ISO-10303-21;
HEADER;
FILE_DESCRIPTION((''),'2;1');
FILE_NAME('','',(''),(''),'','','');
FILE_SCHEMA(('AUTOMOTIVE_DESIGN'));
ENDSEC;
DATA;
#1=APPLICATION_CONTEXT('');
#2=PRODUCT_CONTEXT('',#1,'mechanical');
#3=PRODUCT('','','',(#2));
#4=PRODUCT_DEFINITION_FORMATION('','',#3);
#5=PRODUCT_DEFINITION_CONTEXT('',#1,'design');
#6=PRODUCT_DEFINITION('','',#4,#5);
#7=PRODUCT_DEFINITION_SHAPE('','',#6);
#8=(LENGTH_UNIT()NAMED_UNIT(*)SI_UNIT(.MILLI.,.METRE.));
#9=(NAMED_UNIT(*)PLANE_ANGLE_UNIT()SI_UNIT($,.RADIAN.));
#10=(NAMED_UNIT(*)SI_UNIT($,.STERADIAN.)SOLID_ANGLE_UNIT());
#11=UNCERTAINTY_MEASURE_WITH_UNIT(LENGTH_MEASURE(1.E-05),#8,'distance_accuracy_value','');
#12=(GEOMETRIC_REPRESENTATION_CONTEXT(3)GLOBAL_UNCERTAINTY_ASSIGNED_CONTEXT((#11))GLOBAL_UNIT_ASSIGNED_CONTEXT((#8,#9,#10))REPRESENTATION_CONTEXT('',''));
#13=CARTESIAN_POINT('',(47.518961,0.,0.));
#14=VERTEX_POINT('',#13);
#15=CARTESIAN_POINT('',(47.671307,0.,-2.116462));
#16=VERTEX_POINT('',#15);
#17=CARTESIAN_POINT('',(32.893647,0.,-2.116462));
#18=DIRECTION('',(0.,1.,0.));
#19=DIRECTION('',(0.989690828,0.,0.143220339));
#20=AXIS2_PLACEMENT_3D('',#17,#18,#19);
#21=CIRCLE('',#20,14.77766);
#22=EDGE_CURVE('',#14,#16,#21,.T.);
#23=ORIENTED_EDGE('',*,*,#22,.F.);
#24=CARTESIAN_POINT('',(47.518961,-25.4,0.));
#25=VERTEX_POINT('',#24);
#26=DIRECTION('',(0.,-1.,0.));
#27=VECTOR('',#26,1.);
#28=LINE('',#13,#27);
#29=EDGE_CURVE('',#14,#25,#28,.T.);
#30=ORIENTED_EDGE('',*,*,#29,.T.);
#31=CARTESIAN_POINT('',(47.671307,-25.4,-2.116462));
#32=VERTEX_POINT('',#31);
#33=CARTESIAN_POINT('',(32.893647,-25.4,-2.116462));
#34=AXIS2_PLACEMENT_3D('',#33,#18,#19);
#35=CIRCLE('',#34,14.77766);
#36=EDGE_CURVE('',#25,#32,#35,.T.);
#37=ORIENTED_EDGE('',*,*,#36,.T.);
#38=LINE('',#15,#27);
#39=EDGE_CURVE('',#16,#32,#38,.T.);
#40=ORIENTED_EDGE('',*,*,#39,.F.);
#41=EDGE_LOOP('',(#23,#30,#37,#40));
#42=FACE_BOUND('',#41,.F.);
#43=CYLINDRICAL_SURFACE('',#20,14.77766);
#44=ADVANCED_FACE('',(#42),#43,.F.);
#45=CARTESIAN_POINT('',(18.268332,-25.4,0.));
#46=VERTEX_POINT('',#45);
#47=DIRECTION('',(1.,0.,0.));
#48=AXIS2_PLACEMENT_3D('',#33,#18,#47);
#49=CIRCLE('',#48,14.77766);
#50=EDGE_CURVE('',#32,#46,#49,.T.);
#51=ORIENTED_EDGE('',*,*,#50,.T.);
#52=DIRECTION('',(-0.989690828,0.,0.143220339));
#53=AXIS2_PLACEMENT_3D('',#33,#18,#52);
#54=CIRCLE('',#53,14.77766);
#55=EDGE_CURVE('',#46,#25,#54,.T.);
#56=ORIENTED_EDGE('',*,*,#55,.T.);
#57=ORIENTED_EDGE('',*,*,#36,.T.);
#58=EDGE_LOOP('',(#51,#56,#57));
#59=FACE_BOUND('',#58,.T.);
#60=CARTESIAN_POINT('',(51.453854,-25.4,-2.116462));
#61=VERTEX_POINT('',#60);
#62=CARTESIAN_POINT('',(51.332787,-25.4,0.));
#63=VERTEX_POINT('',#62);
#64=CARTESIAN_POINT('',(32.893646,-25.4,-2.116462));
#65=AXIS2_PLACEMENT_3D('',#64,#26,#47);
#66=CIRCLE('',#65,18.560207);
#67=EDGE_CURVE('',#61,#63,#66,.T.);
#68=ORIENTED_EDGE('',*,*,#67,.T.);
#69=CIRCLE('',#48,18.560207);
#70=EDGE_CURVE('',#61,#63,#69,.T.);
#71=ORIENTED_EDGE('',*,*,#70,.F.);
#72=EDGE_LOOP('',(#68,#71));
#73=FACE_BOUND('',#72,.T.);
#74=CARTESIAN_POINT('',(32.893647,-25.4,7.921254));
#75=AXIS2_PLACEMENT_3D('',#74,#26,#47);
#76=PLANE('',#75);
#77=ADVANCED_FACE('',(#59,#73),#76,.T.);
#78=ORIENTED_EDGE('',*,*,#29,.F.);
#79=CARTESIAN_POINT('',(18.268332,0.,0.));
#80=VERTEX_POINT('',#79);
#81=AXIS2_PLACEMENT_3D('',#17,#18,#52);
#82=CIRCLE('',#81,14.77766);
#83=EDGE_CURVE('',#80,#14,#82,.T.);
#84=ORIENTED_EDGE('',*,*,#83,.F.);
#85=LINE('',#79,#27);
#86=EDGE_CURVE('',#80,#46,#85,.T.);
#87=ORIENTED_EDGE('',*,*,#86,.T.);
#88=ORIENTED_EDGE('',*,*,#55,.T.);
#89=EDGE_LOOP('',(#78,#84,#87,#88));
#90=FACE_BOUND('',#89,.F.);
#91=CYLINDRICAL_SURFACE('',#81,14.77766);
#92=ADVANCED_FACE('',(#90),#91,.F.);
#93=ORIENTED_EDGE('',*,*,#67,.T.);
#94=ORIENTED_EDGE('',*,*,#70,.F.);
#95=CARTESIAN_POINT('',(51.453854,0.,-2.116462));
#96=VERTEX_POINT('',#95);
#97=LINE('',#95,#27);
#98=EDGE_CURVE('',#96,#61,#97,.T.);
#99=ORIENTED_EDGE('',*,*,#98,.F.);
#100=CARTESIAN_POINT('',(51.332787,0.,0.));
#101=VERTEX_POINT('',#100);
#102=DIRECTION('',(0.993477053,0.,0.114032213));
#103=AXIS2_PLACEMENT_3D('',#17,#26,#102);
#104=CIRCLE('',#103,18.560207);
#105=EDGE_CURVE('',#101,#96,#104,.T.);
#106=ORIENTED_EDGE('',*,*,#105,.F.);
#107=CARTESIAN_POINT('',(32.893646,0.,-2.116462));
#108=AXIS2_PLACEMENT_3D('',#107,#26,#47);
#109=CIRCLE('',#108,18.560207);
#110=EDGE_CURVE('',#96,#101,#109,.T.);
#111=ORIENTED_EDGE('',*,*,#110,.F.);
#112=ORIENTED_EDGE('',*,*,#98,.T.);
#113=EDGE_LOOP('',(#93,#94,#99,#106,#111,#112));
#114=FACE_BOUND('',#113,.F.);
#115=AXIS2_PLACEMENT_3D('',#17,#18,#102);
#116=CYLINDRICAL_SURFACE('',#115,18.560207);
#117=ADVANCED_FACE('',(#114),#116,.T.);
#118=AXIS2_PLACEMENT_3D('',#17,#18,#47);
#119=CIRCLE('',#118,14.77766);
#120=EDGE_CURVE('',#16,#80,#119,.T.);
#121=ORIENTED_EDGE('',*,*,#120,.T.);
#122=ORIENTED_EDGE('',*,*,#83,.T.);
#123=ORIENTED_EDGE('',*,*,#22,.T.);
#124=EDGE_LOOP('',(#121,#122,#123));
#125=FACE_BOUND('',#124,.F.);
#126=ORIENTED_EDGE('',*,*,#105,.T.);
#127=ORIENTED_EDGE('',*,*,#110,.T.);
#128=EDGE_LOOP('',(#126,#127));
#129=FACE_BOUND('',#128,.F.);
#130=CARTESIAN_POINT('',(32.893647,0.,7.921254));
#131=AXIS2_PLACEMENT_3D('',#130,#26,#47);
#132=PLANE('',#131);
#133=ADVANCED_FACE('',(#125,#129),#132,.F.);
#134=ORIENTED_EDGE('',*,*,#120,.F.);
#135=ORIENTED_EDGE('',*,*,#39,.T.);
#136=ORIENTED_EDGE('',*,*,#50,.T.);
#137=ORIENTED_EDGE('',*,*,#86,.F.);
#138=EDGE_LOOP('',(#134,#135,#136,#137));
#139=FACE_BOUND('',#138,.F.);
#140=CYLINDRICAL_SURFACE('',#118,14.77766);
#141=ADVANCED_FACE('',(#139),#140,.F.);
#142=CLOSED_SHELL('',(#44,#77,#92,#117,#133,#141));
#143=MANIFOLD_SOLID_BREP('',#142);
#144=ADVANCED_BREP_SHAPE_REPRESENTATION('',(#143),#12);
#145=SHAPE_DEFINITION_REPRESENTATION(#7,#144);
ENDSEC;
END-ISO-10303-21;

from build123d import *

# Parameters (mm, degrees)
F1_DEPTH = 25.4
F2_DEPTH = 25.4


with BuildPart() as f1:
    # F0 (on Front) → F1 (new body)
    with BuildSketch(Plane.XZ):
        with BuildLine():
            Line((18.2683317036, 0), (14.4545063752, 0))
            ThreePointArc((14.4545063752, 0), (31.8336858212, -20.6463773711), (51.4538538943, -2.1164615173))
            ThreePointArc((51.4538538943, -2.1164615173), (51.4235623622, -1.0565008301), (51.3327866417, 0))
            Line((51.3327866417, 0), (47.5189613133, 0))
            ThreePointArc((47.5189613133, 0), (47.6331711912, -1.0554927985), (47.6713067595, -2.1164615173))
            ThreePointArc((47.6713067595, -2.1164615173), (31.8326777896, -16.8559862), (18.2683317036, 0))
        make_face()
    extrude(amount=F1_DEPTH)

    # F0 (on Front) → F2 (join)
    with BuildSketch(Plane.XZ):
        with BuildLine():
            ThreePointArc((51.3327866417, 0), (32.8936465085, 16.4437458686), (14.4545063752, 0))
            Line((14.4545063752, 0), (18.2683317036, 0))
            ThreePointArc((18.2683317036, 0), (32.8936465085, 12.6611987337), (47.5189613133, 0))
            Line((47.5189613133, 0), (51.3327866417, 0))
        make_face()
    extrude(amount=F2_DEPTH)


solid = f1.part
